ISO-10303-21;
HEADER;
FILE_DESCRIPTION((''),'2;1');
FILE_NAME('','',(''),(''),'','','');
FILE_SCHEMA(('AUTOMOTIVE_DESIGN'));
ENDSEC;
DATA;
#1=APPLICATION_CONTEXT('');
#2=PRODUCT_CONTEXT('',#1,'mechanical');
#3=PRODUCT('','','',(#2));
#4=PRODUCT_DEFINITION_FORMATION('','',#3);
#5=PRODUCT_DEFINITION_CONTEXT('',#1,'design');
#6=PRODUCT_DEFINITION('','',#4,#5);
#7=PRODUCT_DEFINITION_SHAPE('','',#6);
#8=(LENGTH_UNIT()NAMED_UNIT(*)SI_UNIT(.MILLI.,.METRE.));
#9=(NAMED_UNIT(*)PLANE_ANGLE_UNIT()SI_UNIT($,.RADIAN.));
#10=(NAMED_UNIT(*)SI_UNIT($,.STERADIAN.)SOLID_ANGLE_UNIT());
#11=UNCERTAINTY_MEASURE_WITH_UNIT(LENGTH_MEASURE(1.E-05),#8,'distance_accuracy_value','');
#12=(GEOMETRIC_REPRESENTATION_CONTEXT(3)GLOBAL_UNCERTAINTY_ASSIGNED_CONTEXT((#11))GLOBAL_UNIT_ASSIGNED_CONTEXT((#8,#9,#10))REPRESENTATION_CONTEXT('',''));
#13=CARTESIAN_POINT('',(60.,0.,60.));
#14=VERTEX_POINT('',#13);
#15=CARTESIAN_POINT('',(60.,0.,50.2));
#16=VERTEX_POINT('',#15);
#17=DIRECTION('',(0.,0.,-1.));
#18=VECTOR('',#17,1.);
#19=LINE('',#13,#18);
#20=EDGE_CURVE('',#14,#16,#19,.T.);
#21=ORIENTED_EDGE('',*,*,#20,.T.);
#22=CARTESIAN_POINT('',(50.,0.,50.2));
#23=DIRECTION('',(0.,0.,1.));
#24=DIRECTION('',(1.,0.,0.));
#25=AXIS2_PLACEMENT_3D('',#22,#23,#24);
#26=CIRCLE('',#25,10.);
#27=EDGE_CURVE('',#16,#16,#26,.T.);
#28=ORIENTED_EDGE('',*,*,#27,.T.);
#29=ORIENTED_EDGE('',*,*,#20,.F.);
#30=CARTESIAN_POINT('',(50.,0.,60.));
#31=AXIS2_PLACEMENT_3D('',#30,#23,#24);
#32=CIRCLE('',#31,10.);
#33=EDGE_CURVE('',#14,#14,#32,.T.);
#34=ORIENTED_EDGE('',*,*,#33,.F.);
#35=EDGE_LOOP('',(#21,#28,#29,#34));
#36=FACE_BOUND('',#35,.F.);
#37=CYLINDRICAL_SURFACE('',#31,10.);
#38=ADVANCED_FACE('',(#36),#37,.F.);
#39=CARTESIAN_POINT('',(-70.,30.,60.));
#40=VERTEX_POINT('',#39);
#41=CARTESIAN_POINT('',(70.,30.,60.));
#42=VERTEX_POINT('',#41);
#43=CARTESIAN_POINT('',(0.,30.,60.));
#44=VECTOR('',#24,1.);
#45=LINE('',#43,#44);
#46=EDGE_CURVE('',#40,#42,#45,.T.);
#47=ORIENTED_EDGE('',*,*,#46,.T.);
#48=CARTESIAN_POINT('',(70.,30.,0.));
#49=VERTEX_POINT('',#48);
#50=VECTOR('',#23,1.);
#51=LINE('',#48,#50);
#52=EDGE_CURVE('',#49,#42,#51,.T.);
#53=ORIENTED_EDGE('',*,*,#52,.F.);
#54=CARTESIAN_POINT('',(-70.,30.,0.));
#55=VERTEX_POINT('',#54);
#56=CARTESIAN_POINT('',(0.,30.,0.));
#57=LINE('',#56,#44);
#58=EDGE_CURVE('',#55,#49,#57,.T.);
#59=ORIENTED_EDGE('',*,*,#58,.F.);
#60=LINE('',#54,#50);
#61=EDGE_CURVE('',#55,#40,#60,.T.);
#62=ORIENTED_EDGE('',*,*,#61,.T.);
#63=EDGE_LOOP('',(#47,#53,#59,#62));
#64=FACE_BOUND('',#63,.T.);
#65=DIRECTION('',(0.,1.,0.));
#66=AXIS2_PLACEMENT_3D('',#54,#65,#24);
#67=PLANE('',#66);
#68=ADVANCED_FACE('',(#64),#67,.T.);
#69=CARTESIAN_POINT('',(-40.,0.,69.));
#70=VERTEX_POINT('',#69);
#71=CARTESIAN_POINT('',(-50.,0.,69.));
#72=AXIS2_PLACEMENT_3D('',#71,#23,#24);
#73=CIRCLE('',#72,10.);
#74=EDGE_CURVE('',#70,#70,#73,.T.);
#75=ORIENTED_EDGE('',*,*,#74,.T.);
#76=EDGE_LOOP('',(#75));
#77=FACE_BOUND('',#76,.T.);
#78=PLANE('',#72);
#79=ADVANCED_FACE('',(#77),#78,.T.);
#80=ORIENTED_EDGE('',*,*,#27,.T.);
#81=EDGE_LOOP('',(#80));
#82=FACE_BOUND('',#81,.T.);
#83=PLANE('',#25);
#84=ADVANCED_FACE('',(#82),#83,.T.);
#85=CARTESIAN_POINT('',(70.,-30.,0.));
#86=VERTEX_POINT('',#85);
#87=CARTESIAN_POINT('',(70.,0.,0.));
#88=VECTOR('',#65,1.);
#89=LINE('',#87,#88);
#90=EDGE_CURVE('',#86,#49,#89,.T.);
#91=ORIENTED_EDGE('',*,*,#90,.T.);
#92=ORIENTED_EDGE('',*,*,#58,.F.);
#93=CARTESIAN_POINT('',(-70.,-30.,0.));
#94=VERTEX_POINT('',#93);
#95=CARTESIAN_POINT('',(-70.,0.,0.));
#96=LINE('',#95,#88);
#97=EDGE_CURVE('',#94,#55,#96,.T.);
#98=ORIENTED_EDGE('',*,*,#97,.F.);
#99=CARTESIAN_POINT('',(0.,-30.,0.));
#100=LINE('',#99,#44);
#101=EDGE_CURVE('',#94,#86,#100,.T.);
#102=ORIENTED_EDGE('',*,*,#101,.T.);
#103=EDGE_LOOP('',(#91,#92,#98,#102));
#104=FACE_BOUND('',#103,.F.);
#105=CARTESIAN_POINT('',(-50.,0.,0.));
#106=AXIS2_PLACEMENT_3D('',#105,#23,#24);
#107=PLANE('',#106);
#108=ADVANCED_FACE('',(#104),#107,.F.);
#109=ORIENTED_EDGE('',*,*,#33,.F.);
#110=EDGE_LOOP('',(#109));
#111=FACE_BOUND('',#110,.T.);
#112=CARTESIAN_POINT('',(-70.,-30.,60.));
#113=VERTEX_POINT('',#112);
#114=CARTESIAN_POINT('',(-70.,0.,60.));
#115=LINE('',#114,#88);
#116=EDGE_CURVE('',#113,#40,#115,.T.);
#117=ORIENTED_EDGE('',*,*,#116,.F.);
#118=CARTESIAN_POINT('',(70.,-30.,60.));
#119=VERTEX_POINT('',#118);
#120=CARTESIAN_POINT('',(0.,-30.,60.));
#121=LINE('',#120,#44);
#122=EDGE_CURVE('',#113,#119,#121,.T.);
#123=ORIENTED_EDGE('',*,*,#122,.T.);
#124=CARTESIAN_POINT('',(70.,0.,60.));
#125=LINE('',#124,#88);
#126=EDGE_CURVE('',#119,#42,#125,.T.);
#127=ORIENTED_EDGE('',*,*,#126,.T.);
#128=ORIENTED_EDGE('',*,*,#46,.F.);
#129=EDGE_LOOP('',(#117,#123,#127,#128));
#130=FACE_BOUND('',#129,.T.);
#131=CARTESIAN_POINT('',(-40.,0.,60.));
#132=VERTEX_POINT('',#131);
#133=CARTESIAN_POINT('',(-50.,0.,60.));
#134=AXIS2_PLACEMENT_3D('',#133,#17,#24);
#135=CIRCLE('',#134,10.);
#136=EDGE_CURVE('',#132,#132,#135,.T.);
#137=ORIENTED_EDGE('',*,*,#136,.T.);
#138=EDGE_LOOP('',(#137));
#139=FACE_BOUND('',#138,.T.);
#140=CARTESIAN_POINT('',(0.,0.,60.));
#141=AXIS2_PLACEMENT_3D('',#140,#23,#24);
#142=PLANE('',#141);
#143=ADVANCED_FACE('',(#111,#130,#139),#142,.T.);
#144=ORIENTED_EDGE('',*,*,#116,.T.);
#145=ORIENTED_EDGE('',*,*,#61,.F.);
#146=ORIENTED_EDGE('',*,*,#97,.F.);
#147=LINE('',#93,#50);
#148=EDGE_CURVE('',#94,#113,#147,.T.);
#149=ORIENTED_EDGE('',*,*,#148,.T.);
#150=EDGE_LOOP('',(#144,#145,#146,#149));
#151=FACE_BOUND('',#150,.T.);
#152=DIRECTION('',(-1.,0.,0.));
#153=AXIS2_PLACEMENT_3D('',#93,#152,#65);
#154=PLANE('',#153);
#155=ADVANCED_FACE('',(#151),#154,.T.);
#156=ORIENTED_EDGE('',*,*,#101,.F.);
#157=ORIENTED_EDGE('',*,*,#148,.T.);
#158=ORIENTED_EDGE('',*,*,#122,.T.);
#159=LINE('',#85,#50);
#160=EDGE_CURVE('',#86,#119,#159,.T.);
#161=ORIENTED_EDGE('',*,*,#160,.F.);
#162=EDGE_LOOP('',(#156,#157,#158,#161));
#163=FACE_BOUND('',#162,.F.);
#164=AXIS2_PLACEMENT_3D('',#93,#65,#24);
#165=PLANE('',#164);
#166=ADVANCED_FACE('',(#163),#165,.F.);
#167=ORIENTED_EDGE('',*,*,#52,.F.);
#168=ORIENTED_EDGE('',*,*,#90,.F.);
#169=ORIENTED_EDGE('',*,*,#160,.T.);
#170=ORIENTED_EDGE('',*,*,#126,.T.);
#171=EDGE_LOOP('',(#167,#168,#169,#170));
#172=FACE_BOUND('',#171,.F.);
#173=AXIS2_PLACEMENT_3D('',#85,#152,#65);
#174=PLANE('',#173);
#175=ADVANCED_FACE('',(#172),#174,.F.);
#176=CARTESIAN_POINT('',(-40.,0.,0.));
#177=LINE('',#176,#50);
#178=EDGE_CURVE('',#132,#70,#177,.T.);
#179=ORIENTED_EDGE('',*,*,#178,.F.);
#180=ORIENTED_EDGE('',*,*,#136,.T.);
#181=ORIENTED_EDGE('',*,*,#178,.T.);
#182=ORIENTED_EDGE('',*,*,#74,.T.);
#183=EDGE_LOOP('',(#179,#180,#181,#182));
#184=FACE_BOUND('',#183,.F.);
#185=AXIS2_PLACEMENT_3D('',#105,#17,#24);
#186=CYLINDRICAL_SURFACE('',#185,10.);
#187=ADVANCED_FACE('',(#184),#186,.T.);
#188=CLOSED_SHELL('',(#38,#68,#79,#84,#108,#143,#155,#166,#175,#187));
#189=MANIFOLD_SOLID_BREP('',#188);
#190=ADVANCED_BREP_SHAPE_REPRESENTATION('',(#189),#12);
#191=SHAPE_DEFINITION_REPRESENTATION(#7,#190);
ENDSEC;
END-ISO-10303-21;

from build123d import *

# Parameters (mm, degrees)
F0_W     = 140
F0_H     = 60
F1_DEPTH = 60
F3_R     = 10
F5_DEPTH = 69
F4_R     = 10
F6_DEPTH = 9.8


with BuildPart() as f1:
    # F0 (on Top) → F1 (new body)
    with BuildSketch(Plane.XY):
        Rectangle(F0_W, F0_H)
    extrude(amount=F1_DEPTH)

    # F3 (on Top) → F5 (join)
    with BuildSketch(Plane.XY):
        with Locations((-50, 0)):
            Circle(F3_R)
    extrude(amount=F5_DEPTH)

    # F4 (on face) → F6 (cut)
    with BuildSketch(Plane.XY.offset(60)):
        with Locations((50, 0)):
            Circle(F4_R)
    extrude(amount=-F6_DEPTH, mode=Mode.SUBTRACT)


solid = f1.part
